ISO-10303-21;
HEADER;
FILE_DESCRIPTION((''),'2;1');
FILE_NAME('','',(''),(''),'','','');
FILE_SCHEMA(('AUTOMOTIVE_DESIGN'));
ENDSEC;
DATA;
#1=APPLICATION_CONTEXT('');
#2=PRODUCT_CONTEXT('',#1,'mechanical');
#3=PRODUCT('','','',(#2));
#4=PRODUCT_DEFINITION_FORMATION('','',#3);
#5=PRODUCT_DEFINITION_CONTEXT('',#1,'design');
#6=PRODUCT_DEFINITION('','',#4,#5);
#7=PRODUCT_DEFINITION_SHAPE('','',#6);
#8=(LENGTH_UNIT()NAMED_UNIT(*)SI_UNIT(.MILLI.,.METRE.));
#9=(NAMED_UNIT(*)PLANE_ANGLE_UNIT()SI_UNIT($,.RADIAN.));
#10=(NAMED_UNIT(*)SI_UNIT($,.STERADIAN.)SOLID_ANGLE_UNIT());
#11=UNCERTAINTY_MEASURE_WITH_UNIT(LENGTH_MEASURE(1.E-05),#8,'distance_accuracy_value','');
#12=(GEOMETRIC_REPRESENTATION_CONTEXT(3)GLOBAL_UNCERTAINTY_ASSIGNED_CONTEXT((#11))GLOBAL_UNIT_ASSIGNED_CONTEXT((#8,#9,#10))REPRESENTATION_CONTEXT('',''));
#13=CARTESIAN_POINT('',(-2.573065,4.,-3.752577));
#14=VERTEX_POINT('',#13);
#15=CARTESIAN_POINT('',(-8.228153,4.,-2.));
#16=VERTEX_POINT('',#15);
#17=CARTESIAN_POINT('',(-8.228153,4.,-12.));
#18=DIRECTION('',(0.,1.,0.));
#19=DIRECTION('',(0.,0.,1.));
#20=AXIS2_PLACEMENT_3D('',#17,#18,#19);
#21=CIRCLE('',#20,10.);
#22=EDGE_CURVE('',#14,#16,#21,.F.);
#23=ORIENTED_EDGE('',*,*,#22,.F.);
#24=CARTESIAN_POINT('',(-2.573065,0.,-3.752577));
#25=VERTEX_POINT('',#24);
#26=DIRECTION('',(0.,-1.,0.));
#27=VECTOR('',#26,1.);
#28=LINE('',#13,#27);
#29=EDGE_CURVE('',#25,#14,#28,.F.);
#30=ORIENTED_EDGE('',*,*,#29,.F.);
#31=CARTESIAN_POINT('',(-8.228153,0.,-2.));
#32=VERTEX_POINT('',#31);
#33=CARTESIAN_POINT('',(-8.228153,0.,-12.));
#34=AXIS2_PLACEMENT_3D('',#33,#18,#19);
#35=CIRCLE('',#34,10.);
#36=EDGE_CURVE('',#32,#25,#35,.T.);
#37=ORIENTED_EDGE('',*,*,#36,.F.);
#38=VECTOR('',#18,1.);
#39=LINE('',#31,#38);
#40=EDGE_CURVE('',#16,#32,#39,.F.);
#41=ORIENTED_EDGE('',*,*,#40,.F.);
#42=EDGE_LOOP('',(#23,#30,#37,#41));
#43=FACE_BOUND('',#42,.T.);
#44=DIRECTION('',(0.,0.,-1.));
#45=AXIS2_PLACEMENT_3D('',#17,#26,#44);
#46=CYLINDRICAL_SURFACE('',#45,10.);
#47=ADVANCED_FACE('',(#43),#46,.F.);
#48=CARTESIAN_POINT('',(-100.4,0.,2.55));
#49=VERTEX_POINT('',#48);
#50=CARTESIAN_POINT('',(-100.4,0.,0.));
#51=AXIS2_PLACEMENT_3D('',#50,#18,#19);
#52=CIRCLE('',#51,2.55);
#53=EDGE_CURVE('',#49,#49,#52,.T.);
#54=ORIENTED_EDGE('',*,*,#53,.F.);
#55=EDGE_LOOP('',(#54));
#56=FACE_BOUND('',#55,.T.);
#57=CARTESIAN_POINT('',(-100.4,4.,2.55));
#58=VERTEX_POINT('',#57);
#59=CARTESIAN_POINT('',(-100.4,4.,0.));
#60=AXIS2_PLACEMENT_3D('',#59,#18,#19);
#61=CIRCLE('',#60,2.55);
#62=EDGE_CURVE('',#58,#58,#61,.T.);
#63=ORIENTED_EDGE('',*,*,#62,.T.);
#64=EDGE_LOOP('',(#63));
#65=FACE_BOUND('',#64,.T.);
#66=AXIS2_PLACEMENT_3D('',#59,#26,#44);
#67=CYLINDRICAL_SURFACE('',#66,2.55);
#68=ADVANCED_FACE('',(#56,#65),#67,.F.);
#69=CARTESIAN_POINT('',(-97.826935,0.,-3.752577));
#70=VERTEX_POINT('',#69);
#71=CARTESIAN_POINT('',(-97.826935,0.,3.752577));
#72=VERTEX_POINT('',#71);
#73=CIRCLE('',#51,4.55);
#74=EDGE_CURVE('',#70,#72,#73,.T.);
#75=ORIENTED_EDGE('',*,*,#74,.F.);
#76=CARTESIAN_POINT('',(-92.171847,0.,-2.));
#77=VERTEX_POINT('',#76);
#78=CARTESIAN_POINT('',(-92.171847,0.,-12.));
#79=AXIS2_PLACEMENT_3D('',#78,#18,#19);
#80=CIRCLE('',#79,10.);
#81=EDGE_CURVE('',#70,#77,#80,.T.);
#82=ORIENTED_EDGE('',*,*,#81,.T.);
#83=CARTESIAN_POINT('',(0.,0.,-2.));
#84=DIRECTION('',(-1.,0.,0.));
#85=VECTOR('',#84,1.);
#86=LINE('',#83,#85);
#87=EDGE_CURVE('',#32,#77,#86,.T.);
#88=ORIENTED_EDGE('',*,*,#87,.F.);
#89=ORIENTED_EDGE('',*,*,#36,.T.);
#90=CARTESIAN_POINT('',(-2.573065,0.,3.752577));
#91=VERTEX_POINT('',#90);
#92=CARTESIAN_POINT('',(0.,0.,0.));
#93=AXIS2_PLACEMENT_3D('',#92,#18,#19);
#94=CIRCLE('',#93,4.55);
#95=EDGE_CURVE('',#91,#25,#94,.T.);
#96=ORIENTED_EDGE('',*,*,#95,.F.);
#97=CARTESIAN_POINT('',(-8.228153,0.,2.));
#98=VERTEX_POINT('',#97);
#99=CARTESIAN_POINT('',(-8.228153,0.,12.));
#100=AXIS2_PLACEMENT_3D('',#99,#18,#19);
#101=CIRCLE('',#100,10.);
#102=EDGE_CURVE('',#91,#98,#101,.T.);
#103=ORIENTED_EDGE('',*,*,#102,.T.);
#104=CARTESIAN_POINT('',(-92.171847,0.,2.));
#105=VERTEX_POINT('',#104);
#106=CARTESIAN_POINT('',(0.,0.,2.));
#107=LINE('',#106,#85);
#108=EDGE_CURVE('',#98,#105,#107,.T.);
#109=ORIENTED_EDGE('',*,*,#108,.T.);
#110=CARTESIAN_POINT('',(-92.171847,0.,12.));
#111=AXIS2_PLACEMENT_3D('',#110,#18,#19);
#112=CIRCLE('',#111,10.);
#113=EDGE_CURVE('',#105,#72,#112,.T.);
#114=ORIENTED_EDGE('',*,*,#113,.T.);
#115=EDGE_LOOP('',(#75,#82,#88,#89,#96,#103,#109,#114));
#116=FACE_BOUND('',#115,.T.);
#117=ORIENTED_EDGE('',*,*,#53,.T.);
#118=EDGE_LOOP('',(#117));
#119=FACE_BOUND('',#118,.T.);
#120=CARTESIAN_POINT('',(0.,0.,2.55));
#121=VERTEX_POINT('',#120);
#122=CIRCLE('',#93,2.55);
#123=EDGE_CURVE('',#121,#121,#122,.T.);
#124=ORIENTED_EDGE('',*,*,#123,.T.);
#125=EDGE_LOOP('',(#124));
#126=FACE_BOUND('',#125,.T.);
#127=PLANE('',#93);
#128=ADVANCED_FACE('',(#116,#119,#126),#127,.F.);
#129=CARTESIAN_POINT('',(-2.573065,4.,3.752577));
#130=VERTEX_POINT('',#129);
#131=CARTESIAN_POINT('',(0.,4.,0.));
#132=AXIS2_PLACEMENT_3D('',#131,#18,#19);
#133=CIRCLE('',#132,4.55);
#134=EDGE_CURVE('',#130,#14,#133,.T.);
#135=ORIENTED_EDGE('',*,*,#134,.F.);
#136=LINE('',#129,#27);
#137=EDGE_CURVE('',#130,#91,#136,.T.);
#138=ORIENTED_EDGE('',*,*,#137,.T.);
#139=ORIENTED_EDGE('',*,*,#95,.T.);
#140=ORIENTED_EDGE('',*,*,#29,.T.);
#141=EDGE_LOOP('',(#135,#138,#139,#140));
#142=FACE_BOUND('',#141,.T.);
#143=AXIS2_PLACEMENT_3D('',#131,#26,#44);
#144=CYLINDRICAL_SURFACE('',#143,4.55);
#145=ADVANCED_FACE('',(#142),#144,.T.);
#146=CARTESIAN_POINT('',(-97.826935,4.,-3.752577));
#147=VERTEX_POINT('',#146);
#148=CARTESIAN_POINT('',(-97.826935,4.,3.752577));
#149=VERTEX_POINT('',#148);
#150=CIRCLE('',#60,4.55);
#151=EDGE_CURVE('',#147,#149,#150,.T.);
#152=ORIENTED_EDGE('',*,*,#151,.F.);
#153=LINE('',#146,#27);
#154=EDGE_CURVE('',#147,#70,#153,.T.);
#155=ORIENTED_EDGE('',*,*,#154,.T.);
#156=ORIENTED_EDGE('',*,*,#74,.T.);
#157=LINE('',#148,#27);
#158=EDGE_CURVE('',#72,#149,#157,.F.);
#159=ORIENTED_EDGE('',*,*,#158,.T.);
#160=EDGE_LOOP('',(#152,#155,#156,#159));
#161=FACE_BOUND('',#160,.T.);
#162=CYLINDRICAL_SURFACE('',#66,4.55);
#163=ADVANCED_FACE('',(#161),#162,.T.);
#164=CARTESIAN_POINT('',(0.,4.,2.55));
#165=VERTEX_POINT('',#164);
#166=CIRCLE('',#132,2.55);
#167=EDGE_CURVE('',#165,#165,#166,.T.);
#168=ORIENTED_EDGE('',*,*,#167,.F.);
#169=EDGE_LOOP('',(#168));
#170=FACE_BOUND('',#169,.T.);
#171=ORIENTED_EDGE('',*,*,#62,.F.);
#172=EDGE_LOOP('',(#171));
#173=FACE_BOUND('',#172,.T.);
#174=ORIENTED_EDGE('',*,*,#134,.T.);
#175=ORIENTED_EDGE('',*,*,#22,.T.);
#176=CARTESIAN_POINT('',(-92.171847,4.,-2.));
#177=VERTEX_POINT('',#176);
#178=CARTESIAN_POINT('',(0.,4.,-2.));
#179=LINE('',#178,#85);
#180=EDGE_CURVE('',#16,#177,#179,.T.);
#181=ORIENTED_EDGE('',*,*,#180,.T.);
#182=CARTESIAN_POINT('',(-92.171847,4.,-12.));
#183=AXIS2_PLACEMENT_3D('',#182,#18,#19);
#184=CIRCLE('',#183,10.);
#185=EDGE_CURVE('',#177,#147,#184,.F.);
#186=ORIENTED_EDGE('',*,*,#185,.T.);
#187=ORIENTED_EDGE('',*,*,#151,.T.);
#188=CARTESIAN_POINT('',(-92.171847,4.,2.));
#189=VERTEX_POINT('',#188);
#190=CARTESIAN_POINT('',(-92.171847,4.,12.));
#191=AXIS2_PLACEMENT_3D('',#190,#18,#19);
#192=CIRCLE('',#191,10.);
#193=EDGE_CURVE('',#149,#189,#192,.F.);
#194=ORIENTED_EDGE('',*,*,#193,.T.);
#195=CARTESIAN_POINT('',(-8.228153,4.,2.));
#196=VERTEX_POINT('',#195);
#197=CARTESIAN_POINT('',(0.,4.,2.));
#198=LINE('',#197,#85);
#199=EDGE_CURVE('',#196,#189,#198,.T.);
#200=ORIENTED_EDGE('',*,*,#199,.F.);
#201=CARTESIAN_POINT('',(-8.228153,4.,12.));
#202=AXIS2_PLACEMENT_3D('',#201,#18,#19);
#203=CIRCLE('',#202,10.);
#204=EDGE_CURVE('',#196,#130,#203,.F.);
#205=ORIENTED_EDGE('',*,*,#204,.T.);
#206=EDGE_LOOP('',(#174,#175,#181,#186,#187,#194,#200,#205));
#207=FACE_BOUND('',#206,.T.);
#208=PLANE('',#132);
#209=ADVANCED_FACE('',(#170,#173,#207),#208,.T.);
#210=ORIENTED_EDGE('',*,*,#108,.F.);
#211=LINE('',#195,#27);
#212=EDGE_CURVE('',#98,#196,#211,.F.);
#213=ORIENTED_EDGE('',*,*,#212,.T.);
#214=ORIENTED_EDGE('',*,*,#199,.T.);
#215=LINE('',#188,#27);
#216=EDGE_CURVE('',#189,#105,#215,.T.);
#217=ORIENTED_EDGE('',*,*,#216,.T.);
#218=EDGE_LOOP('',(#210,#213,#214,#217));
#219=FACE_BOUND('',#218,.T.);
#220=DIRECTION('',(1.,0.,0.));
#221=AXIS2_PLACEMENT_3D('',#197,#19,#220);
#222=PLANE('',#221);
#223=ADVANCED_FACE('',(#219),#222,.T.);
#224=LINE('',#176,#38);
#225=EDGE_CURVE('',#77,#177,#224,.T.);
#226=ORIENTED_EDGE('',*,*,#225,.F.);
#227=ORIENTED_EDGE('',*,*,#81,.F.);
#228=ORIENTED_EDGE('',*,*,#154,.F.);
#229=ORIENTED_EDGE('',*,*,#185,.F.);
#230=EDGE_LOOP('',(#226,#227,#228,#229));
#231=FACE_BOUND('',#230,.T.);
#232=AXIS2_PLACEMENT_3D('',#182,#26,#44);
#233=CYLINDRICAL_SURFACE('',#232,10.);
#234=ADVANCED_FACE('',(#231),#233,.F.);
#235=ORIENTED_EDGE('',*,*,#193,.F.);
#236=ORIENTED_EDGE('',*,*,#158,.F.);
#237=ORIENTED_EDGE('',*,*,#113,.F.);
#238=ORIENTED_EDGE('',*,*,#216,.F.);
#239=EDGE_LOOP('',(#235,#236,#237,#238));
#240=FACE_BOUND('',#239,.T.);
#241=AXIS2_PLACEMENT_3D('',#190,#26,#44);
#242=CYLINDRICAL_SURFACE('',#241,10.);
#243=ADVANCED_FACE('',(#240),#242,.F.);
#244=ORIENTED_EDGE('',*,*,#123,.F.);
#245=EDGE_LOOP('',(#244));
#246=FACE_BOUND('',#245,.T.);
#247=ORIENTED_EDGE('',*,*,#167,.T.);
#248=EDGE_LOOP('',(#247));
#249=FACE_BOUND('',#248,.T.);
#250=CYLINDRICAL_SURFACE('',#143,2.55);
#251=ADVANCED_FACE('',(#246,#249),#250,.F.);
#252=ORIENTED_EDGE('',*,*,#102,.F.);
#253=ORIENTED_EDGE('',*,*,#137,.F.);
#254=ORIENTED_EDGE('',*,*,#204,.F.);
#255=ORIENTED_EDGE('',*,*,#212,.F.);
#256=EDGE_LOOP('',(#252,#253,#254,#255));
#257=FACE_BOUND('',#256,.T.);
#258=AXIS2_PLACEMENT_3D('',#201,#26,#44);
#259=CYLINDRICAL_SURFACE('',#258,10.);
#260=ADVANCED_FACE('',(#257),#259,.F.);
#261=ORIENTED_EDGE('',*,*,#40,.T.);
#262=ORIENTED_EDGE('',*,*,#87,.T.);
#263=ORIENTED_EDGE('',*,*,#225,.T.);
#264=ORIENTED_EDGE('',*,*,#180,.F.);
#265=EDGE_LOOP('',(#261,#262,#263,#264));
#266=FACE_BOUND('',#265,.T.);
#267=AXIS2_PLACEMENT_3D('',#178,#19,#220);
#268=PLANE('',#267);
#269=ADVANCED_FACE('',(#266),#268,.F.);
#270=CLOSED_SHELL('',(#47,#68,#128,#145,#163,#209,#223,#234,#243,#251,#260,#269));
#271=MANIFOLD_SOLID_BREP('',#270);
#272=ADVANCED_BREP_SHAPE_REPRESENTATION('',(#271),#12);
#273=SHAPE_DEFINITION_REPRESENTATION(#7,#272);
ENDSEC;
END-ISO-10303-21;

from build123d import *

# Parameters (mm, degrees)
BOSS_EXTRUDE1_DEPTH = 4
FILLET1_R           = 10


with BuildPart() as part:
    # Sketch1 → Boss-Extrude1 (new body)
    with BuildSketch(Plane(origin=(0, 0, 0), x_dir=(1, 0, 0), z_dir=(0, 1, 0))):
        with BuildLine():
            Line((-98.818070798, 2), (-96.313130783, 2))
            ThreePointArc((-96.313130783, 2), (-104.95, 0), (-96.313130783, -2))
            Line((-96.313130783, -2), (-98.818070798, -2))
            ThreePointArc((-98.818070798, -2), (-102.95, 0), (-98.818070798, 2))
        make_face()
        with BuildLine():
            Line((-4.55, 0), (-95.85, 0))
            ThreePointArc((-95.85, 0), (-95.967294565, -1.026461169), (-96.313130783, -2))
            Line((-96.313130783, -2), (-4.086869217, -2))
            ThreePointArc((-4.086869217, -2), (-4.432705435, -1.026461169), (-4.55, 0))
        make_face()
        with BuildLine():
            ThreePointArc((-96.313130783, 2), (-95.967294565, 1.026461169), (-95.85, 0))
            Line((-95.85, 0), (-4.55, 0))
            ThreePointArc((-4.55, 0), (-4.432705435, 1.026461169), (-4.086869217, 2))
            Line((-4.086869217, 2), (-96.313130783, 2))
        make_face()
        with BuildLine():
            Line((-97.85, 0), (-95.85, 0))
            ThreePointArc((-95.85, 0), (-95.967294565, 1.026461169), (-96.313130783, 2))
            Line((-96.313130783, 2), (-98.818070798, 2))
            ThreePointArc((-98.818070798, 2), (-98.104741903, 1.110986169), (-97.85, 0))
        make_face()
        with BuildLine():
            ThreePointArc((-96.313130783, -2), (-95.967294565, -1.026461169), (-95.85, 0))
            Line((-95.85, 0), (-97.85, 0))
            ThreePointArc((-97.85, 0), (-98.104741903, -1.110986169), (-98.818070798, -2))
            Line((-98.818070798, -2), (-96.313130783, -2))
        make_face()
        with BuildLine():
            ThreePointArc((4.55, 0), (1.026461169, 4.432705435), (-4.086869217, 2))
            Line((-4.086869217, 2), (-1.581929202, 2))
            ThreePointArc((-1.581929202, 2), (1.110986169, 2.295258097), (2.55, 0))
            ThreePointArc((2.55, 0), (1.110986169, -2.295258097), (-1.581929202, -2))
            Line((-1.581929202, -2), (-4.086869217, -2))
            ThreePointArc((-4.086869217, -2), (1.026461169, -4.432705435), (4.55, 0))
        make_face()
        with BuildLine():
            ThreePointArc((-4.086869217, 2), (-4.432705435, 1.026461169), (-4.55, 0))
            Line((-4.55, 0), (-2.55, 0))
            ThreePointArc((-2.55, 0), (-2.295258097, 1.110986169), (-1.581929202, 2))
            Line((-1.581929202, 2), (-4.086869217, 2))
        make_face()
        with BuildLine():
            Line((-2.55, 0), (-4.55, 0))
            ThreePointArc((-4.55, 0), (-4.432705435, -1.026461169), (-4.086869217, -2))
            Line((-4.086869217, -2), (-1.581929202, -2))
            ThreePointArc((-1.581929202, -2), (-2.295258097, -1.110986169), (-2.55, 0))
        make_face()
    extrude(amount=BOSS_EXTRUDE1_DEPTH)

    # Fillet1
    fillet1_edges = [part.edges().sort_by_distance(p)[0] for p in [
        (-4.086869217, 2, 2),
        (-96.313130783, 2, 2),
        (-96.313130783, 2, -2),
        (-4.086869217, 2, -2),
    ]]
    fillet(fillet1_edges, radius=FILLET1_R)


solid = part.part
